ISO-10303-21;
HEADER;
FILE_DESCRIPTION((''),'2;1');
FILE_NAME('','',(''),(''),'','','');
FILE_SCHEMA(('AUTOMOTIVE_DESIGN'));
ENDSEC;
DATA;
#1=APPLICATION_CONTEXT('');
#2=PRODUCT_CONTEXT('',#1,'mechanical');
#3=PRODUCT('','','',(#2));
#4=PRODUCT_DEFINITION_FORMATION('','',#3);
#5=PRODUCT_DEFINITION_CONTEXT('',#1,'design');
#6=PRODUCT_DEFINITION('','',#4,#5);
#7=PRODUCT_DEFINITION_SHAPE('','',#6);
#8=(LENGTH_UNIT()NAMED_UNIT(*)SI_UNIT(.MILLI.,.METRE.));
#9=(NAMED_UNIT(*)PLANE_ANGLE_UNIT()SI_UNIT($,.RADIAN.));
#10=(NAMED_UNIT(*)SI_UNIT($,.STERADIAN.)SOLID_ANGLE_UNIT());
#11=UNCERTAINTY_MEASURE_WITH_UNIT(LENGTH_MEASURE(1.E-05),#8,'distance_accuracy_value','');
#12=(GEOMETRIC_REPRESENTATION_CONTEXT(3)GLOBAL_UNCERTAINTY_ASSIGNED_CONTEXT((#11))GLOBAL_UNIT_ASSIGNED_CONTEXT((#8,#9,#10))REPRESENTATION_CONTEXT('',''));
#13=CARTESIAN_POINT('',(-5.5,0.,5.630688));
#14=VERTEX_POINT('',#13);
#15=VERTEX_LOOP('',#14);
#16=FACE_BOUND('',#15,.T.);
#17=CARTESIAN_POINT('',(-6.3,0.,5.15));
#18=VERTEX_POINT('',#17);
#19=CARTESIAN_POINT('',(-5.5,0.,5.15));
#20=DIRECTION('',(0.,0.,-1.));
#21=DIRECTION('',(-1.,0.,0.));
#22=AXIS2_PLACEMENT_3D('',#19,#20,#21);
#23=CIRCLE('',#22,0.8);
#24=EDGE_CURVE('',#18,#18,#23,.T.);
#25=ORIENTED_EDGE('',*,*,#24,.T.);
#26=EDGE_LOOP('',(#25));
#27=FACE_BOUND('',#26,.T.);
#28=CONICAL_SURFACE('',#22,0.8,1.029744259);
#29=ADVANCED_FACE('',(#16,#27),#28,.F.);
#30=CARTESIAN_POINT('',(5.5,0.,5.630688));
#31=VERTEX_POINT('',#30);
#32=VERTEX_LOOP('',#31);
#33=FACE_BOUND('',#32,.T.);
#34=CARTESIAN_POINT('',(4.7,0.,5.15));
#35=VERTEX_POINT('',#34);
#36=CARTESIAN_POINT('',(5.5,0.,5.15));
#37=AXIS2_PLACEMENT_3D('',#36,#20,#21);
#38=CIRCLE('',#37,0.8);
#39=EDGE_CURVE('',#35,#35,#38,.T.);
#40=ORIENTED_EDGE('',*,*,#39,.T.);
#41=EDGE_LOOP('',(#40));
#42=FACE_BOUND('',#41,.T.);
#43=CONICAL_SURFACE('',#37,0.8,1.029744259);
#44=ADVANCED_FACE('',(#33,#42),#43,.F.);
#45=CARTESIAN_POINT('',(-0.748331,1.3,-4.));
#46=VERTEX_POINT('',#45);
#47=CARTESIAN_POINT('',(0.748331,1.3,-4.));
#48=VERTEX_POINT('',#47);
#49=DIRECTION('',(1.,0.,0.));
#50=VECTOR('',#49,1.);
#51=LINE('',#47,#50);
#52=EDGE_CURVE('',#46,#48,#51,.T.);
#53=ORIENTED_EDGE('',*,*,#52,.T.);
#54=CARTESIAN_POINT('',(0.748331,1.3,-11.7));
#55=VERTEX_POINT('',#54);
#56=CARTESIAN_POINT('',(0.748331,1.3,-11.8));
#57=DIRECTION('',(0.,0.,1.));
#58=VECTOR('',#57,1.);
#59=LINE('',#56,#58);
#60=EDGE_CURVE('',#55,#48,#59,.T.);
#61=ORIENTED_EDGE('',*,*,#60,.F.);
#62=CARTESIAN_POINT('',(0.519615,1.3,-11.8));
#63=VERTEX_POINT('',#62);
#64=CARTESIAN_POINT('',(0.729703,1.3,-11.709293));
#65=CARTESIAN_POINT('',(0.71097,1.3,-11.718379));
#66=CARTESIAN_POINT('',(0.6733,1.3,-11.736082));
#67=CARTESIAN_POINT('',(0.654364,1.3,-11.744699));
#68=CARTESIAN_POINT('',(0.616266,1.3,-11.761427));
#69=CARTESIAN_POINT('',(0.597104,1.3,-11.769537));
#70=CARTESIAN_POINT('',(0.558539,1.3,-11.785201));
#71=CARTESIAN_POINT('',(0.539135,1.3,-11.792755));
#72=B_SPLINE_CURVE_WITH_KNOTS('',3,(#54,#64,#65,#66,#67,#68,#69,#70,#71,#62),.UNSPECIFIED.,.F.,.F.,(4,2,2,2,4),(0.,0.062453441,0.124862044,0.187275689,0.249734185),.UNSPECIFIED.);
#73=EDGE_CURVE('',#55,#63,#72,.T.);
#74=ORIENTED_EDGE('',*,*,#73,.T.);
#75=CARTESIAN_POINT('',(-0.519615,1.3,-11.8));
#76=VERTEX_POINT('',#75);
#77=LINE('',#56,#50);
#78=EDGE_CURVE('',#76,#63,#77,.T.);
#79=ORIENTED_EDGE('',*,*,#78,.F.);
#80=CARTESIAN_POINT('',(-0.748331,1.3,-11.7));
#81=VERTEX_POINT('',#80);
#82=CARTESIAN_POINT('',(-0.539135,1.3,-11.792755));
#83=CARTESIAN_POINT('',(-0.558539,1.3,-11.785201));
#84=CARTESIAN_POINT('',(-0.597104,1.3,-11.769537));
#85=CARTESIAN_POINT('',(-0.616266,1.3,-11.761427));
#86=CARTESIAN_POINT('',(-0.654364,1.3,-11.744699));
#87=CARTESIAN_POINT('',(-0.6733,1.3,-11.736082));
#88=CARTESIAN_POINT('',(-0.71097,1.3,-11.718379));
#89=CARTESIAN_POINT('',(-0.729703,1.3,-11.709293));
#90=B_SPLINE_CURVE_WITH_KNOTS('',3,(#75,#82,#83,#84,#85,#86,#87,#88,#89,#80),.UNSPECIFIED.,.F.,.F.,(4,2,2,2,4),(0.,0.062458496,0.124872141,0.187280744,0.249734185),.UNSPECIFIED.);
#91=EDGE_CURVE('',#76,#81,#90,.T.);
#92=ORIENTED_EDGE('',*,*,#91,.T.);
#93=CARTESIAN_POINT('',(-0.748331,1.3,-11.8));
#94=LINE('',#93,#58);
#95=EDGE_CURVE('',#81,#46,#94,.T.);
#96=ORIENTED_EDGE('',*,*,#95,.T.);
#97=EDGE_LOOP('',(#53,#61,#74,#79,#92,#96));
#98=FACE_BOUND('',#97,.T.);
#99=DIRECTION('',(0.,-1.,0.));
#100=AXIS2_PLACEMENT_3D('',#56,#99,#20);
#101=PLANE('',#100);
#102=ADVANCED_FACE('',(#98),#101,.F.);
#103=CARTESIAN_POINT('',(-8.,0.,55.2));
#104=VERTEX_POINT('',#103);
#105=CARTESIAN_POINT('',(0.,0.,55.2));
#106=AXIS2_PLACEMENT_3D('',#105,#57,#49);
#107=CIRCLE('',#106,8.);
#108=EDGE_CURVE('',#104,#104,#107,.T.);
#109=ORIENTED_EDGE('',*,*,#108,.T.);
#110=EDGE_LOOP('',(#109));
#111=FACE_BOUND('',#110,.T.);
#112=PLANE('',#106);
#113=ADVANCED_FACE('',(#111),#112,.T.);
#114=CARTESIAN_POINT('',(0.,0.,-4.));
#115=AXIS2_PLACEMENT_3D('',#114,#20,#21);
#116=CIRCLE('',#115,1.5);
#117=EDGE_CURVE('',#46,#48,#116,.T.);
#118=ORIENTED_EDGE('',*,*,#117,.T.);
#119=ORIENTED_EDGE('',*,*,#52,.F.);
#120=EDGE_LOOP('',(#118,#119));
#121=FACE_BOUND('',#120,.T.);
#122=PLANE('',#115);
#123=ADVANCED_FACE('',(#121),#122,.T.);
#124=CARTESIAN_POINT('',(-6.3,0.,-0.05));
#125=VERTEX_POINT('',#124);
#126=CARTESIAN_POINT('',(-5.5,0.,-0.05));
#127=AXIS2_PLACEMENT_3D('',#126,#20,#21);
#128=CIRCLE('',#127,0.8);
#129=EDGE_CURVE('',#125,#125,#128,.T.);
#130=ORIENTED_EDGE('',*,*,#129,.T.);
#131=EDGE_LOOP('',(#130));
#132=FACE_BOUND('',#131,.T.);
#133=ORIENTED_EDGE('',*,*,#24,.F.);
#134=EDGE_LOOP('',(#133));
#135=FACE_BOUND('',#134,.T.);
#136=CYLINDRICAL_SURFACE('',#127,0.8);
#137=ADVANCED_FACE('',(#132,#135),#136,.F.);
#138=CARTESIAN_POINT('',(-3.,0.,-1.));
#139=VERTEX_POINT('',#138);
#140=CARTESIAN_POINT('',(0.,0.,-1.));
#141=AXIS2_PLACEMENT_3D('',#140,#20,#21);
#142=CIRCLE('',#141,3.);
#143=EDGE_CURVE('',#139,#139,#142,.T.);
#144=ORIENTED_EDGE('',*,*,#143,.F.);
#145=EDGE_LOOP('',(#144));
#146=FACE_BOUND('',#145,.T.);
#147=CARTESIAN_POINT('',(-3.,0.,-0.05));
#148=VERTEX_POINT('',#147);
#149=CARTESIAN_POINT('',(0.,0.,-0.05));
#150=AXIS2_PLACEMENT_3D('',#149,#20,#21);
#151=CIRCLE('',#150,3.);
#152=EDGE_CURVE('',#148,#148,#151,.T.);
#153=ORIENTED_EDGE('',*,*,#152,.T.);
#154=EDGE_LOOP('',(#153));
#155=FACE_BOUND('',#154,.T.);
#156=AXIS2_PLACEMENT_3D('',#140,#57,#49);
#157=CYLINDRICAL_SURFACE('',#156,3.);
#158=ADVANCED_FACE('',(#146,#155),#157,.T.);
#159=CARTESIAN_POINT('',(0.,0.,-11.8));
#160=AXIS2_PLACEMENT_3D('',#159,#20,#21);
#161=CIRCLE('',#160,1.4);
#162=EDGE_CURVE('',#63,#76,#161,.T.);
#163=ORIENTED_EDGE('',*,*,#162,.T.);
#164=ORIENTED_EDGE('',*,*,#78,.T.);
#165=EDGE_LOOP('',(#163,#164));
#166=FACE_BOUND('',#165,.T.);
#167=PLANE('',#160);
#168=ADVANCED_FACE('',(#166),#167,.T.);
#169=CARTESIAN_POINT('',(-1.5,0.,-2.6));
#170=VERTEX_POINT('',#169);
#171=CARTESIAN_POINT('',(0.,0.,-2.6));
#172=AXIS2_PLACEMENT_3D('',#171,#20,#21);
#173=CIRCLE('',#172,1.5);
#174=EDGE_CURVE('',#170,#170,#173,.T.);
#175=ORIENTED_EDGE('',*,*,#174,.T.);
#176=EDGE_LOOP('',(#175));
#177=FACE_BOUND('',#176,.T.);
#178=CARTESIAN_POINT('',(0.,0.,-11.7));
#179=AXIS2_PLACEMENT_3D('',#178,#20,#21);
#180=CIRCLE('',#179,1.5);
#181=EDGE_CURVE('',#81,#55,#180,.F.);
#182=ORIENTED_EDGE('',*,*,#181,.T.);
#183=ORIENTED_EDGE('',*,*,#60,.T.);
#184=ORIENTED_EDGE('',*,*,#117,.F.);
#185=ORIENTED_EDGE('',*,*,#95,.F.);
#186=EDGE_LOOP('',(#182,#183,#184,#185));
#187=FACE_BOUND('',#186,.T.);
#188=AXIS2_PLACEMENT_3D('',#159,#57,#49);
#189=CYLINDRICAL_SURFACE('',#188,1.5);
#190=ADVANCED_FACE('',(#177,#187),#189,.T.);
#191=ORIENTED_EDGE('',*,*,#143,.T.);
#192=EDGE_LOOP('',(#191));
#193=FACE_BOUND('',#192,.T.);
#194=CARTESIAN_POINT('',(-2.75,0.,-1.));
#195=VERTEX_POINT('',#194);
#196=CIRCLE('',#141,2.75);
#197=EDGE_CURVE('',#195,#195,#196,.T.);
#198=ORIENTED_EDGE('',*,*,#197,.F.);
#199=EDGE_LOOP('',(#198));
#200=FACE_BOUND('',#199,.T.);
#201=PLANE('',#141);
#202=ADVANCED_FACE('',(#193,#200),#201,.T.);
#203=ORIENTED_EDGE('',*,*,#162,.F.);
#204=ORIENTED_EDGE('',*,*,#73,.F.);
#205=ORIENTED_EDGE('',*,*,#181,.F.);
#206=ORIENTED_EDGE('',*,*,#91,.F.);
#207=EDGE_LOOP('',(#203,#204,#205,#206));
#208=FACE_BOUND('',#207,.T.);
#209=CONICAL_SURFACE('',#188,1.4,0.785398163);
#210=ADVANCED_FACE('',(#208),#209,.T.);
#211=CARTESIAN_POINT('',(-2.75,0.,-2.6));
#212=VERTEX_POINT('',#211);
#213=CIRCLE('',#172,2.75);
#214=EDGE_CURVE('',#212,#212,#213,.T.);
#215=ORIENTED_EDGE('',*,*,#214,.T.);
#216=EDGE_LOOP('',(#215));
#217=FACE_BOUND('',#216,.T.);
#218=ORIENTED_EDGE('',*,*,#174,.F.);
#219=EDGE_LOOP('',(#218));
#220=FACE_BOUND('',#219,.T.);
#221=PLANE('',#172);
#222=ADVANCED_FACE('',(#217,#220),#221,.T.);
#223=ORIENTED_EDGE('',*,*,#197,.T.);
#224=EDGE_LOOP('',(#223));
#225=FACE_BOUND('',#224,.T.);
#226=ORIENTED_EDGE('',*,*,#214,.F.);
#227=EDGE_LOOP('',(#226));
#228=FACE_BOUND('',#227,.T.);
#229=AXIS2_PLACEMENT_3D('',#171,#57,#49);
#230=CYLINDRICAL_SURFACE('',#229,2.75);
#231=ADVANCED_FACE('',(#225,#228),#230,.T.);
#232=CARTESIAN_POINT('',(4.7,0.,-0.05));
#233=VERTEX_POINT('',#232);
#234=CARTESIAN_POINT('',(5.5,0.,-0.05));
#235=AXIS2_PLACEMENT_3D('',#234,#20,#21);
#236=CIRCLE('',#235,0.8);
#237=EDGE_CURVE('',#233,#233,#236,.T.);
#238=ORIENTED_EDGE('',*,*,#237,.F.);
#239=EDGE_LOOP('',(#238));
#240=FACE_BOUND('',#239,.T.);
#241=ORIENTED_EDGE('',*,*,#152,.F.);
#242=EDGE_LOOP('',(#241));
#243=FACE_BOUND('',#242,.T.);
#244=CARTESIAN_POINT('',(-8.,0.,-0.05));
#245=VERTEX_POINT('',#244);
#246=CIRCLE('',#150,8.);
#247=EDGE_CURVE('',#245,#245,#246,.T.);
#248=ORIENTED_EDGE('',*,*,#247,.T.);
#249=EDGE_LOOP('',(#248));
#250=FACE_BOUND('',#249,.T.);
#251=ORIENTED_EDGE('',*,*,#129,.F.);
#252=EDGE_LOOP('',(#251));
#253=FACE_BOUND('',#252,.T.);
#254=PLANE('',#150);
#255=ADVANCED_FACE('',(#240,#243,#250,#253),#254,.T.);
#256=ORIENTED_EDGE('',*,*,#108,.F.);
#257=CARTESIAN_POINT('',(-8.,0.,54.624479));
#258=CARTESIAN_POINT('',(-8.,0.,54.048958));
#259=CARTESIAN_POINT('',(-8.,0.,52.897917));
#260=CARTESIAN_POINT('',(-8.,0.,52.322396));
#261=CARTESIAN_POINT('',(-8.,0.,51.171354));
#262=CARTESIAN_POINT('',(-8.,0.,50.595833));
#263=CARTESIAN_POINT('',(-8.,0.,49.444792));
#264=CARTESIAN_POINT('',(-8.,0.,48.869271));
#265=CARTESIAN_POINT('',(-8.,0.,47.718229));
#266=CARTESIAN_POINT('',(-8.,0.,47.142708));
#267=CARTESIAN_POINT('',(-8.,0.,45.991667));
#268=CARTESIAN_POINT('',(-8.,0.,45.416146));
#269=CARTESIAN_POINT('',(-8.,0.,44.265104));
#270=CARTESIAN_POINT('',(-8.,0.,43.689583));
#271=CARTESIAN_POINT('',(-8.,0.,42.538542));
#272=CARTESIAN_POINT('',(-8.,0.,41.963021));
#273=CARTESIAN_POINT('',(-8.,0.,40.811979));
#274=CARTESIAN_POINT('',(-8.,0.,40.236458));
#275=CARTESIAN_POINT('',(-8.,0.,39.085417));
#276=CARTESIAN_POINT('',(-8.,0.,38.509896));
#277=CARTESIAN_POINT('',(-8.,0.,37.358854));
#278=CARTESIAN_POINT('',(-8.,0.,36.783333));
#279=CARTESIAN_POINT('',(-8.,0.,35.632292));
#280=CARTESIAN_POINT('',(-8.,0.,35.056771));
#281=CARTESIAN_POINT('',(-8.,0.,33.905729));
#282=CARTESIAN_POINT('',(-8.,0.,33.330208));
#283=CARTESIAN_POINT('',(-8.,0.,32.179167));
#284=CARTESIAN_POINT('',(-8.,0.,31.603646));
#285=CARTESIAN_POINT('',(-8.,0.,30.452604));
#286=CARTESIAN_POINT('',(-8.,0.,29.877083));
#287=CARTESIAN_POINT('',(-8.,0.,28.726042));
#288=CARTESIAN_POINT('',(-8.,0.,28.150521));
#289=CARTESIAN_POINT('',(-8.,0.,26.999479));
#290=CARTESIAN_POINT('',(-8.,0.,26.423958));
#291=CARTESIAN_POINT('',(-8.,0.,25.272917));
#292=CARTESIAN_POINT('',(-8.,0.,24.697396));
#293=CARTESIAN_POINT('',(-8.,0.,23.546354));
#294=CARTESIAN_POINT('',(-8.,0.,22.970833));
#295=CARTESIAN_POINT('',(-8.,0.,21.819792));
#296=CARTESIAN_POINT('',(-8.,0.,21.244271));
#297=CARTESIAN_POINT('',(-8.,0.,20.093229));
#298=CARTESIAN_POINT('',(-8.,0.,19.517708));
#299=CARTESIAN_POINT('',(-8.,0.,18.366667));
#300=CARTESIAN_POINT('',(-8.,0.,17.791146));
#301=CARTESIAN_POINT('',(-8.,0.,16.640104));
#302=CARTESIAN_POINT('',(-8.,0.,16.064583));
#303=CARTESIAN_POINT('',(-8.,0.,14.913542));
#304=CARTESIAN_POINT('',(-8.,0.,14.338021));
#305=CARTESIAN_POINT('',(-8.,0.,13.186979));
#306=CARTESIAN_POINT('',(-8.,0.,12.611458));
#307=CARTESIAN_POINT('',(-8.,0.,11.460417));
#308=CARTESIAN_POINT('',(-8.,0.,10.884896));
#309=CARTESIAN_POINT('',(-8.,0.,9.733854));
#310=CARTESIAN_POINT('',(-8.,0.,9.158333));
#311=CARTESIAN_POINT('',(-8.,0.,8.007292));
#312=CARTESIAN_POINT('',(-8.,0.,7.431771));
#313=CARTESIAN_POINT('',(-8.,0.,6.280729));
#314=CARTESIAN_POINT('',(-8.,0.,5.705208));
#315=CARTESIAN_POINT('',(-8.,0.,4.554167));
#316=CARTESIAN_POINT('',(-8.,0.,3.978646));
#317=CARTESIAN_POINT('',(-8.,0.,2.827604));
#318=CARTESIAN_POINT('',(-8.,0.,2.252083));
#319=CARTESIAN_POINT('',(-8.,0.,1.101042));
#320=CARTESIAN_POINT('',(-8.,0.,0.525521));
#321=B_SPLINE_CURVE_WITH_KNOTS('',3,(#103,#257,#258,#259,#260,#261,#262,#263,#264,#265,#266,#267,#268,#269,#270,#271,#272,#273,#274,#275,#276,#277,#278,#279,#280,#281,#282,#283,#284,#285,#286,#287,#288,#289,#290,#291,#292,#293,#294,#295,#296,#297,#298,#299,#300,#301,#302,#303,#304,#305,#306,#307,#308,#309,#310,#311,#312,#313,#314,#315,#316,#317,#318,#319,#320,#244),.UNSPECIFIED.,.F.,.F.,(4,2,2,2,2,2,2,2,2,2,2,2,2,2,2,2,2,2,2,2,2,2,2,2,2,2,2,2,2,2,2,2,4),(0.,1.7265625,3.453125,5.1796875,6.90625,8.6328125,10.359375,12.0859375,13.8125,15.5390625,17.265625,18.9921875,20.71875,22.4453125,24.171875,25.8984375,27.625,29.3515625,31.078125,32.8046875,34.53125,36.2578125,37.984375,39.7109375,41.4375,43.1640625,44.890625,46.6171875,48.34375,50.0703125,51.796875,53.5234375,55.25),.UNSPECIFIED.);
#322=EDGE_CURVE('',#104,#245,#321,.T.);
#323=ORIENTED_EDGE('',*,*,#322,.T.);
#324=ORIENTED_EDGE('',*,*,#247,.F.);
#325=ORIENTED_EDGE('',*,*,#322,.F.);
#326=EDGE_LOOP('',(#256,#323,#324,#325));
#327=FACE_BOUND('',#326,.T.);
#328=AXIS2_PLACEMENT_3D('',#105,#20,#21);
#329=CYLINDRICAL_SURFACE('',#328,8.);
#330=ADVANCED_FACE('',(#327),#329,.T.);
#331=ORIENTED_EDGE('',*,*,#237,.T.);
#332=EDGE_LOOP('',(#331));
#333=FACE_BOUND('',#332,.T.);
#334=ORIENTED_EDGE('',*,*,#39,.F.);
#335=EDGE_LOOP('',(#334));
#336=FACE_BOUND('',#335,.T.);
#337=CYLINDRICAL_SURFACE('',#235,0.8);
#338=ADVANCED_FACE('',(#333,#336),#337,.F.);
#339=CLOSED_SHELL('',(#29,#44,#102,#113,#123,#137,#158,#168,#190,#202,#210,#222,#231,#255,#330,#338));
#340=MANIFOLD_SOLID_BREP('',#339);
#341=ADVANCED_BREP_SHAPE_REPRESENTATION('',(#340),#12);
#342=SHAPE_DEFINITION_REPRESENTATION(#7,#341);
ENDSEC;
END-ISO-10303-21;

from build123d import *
from build123d.topology import SkipClean

# Parameters (mm, degrees)
SKETCH_1_R             = 8
EXTRUDE_1_DEPTH        = 55.2
EXTRUDE_2_DEPTH        = 11.8
SKETCH_3_R             = 3
EXTRUDE_3_DEPTH        = 1
SKETCH_4_R             = 2.75
EXTRUDE_4_DEPTH        = 1.6
EXTRUDE_5_DEPTH        = 0.05
EXTRUDE_5_DEPTH_BACK   = 2
SKETCH_5_R             = 8
HOLE_WIZARD_M2_1_D     = 1.6
HOLE_WIZARD_M2_1_DEPTH = 5.2
HOLE_WIZARD_M2_1_TIP   = 0.480688495
SKETCH1_R              = 1.5
EXTRUDE1_DEPTH         = 1.4
CHAMFER_2_SIZE         = 0.1


with BuildPart() as part:
    # 草图1 → 拉伸1 (new body)
    with BuildSketch(Plane.XY):
        with Locations(Location((0, 0, 0), (0, 0, 180))):
            Circle(SKETCH_1_R)
    extrude(amount=EXTRUDE_1_DEPTH)

    # 草图2 → 拉伸2 (add)
    with BuildSketch(Plane(origin=(0, 0, 0), x_dir=(-1, 0, 0), z_dir=(0, 0, -1))):
        with BuildLine():
            Line((-0.748331477, 1.3), (0.748331477, 1.3))
            ThreePointArc((0.748331477, 1.3), (0, -1.5), (-0.748331477, 1.3))
        make_face()
    extrude(amount=EXTRUDE_2_DEPTH)

    # 草图3 → 拉伸3 (add)
    with BuildSketch(Plane(origin=(0, 0, 0), x_dir=(-1, 0, 0), z_dir=(0, 0, -1))):
        with Locations(Location((0, 0, 0), (0, 0, 180))):
            Circle(SKETCH_3_R)
    extrude(amount=EXTRUDE_3_DEPTH)

    # 草图4 → 拉伸4 (add)
    with BuildSketch(Plane(origin=(0, 0, -1), x_dir=(-1, 0, 0), z_dir=(0, 0, -1))):
        Circle(SKETCH_4_R)
    extrude(amount=EXTRUDE_4_DEPTH)

    # 草图5 → 拉伸5 (add, two sides: drawn at the far end of the back side and taken through both)
    with BuildSketch(Plane(origin=(0, 0, 0), x_dir=(-1, 0, 0), z_dir=(0, 0, -1)).offset(-EXTRUDE_5_DEPTH_BACK)):
        Circle(SKETCH_5_R)
    extrude(amount=EXTRUDE_5_DEPTH + EXTRUDE_5_DEPTH_BACK)

    # M2 螺纹孔1
    with Locations(Plane(origin=(5.5, 0, -0.05), x_dir=(-1, 0, 0), z_dir=(0, 0, -1))):
        with Locations((0, 0), (11, 0)):
            Hole(HOLE_WIZARD_M2_1_D / 2, depth=HOLE_WIZARD_M2_1_DEPTH)
            with Locations((0, 0, -(HOLE_WIZARD_M2_1_DEPTH + HOLE_WIZARD_M2_1_TIP / 2))):  # 118° drill point
                Cone(0, HOLE_WIZARD_M2_1_D / 2, HOLE_WIZARD_M2_1_TIP, mode=Mode.SUBTRACT)

    # Sketch1 → Extrude1 (add)
    with SkipClean():  # the faces are left unmerged after this step: merging them gives an invalid solid
        with BuildSketch(Plane(origin=(0, 0, -2.6), x_dir=(-1, 0, 0), z_dir=(0, 0, -1))):
            with Locations(Location((0, 0, 0), (0, 0, 119.926434867))):
                Circle(SKETCH1_R)
        extrude(amount=EXTRUDE1_DEPTH)

    # 倒角2
    chamfer_2_edges = [part.edges().sort_by_distance(p)[0] for p in [
        (0, -1.5, -11.8),
    ]]
    chamfer(chamfer_2_edges, length=CHAMFER_2_SIZE)


solid = part.part
